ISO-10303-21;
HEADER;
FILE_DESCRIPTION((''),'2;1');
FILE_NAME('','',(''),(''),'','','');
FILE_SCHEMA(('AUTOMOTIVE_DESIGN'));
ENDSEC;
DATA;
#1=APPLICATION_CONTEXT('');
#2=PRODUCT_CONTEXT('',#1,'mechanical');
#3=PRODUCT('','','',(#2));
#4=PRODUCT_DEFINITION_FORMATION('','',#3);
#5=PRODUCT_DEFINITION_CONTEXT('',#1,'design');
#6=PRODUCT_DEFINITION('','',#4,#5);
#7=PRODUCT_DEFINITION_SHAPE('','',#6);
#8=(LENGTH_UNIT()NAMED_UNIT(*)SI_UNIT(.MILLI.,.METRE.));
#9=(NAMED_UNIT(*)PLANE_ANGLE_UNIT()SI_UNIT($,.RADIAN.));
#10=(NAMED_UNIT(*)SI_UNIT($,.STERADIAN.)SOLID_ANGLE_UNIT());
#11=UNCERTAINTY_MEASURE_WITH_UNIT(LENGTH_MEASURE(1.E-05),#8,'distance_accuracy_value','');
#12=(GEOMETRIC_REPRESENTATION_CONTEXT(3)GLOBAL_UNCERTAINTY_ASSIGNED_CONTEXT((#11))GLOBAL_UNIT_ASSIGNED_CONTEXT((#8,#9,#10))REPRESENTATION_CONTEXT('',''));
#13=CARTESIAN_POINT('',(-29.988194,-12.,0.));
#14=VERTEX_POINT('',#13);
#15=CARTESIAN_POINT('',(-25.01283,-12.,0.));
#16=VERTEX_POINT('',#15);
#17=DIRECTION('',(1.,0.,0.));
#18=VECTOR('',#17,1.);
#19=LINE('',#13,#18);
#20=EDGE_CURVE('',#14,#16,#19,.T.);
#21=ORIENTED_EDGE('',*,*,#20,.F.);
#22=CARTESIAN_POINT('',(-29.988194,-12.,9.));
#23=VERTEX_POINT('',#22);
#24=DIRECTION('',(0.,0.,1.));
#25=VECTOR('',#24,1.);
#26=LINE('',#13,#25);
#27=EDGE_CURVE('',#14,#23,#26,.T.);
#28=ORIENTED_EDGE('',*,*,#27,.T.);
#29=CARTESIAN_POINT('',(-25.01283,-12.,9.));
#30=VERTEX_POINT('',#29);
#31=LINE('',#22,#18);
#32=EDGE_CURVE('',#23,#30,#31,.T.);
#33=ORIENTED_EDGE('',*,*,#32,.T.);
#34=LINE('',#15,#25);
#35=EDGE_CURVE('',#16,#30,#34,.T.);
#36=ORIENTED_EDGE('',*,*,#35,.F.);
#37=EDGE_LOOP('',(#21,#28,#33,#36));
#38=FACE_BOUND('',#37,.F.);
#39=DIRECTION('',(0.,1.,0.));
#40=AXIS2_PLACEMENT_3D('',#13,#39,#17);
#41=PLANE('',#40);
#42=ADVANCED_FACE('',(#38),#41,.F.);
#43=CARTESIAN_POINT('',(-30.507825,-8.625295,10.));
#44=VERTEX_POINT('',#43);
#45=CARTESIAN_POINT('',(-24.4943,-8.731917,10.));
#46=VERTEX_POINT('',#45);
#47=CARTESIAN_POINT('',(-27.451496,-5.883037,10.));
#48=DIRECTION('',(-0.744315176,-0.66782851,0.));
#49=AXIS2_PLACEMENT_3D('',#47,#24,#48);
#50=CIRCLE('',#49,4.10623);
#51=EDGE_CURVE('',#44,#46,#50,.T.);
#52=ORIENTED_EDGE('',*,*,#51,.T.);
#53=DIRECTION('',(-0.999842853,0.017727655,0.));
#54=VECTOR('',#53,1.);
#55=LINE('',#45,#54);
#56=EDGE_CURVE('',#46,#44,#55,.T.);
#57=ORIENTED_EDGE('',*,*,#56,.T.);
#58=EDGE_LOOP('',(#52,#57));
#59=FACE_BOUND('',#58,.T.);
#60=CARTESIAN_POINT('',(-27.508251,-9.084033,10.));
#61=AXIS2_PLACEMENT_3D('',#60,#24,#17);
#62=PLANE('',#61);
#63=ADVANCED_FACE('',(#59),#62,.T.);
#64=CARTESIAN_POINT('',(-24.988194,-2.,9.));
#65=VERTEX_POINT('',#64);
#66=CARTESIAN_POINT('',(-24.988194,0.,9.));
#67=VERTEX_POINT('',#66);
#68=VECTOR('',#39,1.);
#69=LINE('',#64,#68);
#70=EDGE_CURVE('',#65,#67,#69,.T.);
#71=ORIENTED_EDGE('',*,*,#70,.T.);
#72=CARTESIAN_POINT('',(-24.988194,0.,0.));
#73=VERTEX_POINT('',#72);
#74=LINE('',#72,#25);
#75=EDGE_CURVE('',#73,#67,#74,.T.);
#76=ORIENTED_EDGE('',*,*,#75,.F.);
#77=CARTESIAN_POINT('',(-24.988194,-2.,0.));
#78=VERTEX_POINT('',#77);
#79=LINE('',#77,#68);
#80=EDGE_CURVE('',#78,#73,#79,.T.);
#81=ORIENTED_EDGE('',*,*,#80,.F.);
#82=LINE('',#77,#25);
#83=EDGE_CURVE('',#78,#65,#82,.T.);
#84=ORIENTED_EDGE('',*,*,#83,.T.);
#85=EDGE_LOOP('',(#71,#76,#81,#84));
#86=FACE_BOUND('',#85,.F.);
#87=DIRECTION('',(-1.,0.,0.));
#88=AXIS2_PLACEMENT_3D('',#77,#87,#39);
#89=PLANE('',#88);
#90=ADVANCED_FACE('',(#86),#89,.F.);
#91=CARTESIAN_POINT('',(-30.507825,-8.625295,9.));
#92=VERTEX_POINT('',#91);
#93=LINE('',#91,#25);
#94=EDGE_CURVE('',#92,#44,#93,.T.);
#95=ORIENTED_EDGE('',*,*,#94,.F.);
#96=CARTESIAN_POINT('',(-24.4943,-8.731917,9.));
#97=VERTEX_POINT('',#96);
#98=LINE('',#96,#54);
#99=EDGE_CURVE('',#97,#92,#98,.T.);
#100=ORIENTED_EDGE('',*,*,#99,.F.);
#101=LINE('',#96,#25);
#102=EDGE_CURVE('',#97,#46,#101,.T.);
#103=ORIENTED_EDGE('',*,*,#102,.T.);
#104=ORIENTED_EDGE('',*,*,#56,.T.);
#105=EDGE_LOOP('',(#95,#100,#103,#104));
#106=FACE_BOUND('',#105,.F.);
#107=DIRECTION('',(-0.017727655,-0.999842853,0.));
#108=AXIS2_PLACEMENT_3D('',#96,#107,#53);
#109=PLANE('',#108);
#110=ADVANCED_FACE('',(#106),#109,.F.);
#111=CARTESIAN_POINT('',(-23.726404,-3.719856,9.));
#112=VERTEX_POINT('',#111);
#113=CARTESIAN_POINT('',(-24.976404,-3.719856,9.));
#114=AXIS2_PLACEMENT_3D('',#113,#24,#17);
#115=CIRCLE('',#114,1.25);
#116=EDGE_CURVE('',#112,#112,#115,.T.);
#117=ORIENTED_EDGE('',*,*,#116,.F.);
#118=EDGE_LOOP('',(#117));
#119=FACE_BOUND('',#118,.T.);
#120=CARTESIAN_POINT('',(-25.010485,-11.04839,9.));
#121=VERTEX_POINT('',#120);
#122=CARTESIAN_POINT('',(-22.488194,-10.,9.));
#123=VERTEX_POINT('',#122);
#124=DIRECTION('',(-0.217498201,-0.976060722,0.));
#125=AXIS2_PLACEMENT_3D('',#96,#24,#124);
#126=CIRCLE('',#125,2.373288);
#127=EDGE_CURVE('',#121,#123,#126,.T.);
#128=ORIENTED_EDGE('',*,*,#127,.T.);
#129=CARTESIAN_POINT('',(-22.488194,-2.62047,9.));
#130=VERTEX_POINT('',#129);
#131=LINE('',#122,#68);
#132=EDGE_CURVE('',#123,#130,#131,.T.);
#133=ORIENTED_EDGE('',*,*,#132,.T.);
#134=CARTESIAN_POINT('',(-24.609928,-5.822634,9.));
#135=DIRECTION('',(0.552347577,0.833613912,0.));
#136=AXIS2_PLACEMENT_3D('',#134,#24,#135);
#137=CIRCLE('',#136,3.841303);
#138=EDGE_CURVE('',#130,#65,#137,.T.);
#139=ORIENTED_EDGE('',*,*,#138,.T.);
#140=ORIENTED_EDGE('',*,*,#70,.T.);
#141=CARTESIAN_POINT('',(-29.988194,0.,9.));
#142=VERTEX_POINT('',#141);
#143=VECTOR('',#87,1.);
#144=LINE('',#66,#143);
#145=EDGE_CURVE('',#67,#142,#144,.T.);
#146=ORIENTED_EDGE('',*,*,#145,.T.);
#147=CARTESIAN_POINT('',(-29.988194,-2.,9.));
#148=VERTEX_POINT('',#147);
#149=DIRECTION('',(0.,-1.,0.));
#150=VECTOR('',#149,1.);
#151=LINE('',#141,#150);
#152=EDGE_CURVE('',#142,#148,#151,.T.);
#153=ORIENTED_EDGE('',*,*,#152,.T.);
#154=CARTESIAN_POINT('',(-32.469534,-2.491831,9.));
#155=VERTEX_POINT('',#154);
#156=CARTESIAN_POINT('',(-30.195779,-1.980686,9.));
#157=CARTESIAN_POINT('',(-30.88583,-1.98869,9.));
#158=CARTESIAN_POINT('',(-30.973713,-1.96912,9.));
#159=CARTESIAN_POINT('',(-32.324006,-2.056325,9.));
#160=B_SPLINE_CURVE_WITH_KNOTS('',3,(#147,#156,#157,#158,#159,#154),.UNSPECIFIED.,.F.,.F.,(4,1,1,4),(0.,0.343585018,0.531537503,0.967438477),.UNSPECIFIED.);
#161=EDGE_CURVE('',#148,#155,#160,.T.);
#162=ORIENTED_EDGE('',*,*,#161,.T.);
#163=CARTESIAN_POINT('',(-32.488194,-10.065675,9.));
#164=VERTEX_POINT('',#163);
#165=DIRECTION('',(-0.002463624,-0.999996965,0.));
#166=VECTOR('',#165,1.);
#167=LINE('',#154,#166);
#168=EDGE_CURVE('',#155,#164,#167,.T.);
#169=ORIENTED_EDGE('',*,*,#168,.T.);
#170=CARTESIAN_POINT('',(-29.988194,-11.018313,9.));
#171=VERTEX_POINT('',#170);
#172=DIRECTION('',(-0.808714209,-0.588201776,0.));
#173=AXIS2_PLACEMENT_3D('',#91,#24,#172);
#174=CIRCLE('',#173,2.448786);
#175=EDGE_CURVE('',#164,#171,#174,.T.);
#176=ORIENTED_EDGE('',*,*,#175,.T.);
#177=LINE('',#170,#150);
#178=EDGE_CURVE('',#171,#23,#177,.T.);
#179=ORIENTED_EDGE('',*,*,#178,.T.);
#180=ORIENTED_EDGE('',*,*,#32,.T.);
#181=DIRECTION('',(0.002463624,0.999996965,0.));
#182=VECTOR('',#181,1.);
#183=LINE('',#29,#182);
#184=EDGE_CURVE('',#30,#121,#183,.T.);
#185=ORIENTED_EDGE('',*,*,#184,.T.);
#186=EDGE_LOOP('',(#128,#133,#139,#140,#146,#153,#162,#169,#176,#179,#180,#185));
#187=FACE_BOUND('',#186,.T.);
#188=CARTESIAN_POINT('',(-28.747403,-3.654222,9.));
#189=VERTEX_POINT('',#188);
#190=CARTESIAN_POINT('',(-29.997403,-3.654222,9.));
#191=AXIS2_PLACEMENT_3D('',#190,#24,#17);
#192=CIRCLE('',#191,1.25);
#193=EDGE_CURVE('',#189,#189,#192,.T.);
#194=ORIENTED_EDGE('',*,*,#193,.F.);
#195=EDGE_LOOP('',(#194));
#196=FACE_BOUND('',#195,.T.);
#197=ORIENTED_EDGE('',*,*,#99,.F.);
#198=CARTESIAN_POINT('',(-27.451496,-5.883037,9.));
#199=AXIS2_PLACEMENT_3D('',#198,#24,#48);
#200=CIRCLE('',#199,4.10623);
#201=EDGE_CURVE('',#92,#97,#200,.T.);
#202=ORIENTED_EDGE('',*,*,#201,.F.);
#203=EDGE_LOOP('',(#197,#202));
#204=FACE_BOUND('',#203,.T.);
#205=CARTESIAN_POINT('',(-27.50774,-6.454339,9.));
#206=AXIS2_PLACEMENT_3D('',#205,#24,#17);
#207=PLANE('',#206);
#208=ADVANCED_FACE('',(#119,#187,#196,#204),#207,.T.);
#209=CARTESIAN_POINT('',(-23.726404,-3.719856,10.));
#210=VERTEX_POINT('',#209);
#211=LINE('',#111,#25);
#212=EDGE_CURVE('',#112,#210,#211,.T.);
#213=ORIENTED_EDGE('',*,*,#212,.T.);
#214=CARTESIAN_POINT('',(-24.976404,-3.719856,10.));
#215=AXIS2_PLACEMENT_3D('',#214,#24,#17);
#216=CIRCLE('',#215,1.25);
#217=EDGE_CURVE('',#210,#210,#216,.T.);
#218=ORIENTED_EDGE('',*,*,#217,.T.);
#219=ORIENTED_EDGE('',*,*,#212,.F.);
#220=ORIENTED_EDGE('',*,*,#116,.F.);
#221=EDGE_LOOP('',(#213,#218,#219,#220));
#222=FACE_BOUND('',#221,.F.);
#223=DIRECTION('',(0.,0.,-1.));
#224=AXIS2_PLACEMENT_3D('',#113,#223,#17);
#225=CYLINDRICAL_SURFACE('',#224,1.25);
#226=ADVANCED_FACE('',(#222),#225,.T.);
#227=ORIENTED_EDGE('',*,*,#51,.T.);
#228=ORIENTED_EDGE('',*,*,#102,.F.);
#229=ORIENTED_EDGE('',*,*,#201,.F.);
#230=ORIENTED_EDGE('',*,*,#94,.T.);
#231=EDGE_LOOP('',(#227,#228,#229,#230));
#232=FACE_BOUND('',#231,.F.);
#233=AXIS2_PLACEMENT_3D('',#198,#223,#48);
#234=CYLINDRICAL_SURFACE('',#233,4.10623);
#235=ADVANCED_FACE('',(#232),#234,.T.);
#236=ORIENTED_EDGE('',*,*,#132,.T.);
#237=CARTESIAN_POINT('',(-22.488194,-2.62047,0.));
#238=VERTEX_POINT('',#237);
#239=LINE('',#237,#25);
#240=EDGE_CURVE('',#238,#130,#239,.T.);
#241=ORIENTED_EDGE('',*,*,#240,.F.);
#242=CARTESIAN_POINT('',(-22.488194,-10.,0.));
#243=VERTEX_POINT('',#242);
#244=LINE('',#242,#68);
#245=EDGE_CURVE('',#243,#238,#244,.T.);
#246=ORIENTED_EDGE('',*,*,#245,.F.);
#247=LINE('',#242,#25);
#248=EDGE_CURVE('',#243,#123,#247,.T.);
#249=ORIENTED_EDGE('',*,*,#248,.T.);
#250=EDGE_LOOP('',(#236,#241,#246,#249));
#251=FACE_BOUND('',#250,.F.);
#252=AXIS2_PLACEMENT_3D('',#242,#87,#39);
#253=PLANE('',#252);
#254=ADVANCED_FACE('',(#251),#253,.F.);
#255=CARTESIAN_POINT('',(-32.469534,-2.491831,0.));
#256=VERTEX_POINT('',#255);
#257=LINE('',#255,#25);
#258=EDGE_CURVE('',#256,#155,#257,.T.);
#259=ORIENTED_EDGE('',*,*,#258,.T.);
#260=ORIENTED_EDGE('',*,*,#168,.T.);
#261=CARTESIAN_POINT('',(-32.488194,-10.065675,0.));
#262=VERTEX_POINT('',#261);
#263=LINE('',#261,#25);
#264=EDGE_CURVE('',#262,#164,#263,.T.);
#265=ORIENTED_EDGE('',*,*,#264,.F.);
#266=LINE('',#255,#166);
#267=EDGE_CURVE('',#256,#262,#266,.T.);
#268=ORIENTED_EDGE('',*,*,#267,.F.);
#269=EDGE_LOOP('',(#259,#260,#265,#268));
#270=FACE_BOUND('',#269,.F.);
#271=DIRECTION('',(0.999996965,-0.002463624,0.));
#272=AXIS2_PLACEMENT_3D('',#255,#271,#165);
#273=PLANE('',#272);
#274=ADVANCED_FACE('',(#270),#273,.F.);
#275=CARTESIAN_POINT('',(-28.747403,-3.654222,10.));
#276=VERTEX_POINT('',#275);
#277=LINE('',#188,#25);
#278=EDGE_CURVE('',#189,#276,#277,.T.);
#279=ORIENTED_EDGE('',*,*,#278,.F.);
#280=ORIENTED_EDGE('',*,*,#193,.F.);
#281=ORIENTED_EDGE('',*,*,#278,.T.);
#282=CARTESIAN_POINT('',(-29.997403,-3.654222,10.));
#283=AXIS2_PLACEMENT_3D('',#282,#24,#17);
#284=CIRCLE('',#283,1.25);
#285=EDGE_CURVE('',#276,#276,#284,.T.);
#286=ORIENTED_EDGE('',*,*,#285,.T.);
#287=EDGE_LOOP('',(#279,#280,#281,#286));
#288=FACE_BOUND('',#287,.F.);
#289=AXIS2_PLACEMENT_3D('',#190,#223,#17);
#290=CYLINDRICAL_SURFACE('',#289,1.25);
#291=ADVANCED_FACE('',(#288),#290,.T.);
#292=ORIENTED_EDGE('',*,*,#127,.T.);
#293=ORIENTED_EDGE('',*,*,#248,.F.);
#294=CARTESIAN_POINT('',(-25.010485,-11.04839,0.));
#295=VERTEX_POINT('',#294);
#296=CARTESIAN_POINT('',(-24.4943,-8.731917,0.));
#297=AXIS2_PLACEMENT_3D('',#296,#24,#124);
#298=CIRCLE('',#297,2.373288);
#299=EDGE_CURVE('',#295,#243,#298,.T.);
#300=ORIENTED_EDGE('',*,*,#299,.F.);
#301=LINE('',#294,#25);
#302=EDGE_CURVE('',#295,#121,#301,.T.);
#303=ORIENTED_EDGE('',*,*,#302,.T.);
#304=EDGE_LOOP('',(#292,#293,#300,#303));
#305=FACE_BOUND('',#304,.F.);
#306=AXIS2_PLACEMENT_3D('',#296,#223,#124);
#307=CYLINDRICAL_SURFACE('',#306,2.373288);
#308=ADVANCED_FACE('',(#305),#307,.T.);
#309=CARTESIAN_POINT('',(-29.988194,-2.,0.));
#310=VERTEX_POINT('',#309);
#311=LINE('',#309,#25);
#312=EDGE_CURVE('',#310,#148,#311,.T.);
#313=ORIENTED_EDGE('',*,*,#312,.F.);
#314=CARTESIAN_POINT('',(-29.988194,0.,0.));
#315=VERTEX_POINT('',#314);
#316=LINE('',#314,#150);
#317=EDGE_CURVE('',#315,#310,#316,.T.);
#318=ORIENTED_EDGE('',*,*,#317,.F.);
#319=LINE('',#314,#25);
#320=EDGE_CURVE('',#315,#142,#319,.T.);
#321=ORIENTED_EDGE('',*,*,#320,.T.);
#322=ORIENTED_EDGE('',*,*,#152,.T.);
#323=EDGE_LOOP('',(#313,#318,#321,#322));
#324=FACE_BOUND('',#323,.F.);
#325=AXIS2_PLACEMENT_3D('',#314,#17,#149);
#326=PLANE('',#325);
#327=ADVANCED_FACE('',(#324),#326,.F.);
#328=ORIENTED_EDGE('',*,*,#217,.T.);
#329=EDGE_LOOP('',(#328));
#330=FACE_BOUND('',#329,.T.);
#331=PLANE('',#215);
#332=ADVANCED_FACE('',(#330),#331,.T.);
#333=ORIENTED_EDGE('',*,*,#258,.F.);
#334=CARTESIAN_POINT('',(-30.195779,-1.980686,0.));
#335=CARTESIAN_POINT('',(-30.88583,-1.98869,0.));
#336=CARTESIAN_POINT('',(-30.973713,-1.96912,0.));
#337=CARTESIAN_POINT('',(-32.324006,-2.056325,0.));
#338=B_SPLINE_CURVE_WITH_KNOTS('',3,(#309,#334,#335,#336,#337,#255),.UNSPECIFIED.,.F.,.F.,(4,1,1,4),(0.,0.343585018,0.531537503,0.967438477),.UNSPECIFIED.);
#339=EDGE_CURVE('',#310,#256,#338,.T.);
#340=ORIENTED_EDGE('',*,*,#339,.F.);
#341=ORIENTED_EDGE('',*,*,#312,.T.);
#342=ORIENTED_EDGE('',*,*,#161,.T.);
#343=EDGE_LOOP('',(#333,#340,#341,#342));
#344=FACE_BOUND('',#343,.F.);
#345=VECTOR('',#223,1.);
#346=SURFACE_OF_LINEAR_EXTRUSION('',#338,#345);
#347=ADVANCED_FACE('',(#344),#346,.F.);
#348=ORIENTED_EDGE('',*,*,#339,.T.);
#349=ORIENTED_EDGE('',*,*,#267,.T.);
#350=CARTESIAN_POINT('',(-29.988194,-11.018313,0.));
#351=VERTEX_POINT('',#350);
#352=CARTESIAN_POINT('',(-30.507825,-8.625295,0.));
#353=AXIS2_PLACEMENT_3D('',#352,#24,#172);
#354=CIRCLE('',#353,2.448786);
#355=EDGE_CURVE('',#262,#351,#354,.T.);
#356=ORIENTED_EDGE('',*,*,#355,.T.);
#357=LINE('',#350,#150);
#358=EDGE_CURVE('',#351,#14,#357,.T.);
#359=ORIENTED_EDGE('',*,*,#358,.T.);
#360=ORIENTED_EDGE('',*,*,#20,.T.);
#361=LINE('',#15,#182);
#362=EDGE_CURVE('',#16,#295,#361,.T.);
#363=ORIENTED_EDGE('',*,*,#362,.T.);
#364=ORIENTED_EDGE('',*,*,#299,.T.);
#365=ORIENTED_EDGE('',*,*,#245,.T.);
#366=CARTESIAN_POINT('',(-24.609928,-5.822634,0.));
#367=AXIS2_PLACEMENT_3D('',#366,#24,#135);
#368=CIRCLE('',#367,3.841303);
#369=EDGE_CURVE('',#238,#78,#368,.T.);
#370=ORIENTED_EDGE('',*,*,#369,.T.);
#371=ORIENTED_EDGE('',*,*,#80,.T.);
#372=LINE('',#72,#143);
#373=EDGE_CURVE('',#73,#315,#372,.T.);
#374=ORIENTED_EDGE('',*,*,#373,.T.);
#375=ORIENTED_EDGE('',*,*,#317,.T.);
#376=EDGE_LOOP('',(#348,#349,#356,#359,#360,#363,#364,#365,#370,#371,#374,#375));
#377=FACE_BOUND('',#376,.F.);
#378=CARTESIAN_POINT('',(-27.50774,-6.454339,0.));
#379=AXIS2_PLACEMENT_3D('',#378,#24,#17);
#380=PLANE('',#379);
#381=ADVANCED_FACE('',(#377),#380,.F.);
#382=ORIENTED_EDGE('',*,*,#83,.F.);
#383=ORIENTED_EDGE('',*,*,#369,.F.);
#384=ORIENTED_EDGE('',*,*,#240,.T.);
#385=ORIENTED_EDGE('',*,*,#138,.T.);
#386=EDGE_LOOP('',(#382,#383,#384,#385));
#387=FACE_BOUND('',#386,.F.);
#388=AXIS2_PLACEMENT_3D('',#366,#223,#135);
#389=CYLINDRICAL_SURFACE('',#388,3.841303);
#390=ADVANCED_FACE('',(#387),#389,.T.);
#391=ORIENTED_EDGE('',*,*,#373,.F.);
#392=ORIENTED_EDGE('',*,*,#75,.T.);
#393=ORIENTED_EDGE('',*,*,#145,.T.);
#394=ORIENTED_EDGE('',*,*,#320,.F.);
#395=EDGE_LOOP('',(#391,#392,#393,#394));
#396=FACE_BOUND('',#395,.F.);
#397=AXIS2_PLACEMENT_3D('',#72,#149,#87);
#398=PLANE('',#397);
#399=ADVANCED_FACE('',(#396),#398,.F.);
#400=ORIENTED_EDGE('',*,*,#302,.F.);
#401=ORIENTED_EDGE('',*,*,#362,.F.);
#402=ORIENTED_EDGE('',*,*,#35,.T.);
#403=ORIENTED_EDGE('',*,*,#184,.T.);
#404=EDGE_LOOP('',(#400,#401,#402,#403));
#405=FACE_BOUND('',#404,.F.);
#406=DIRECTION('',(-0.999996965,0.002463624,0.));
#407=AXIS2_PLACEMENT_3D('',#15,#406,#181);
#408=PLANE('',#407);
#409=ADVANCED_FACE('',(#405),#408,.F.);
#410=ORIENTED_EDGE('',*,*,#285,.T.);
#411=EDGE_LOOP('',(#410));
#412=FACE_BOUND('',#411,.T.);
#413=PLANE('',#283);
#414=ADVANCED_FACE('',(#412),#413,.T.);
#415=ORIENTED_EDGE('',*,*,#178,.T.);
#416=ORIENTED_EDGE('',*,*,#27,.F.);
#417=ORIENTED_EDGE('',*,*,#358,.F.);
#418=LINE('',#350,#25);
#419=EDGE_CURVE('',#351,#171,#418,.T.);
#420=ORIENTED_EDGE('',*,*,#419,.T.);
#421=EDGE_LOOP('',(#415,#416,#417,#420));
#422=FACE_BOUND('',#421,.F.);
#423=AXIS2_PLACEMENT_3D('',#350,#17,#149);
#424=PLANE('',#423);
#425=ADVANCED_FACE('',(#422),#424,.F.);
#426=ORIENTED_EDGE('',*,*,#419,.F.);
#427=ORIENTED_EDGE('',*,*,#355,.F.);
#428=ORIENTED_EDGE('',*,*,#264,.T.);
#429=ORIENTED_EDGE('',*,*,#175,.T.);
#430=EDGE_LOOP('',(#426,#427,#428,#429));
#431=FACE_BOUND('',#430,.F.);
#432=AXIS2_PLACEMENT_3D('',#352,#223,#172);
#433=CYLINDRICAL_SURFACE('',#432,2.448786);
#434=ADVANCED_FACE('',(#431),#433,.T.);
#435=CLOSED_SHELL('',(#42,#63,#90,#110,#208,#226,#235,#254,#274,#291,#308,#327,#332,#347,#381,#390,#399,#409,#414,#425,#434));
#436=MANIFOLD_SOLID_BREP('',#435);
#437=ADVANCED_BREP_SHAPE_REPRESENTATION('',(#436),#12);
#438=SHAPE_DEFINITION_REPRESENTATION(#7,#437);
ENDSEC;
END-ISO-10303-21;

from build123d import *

# Parameters (mm, degrees)
F1_DEPTH = 9
F2_R     = 1.25
F3_DEPTH = 1
F4_R     = 0.625
F5_R     = 0.625
F6_DEPTH = 1


with BuildPart() as f1:
    # F0 (on Top) → F1 (new body)
    with BuildSketch(Plane.XY):
        with BuildLine():
            Line((-24.9881935865, -2), (-29.9881935865, -2))
            add(Edge.make_bspline(
                [(-29.9881935865, -2), (-30.1957792579, -1.9806863621), (-30.8858297438, -1.9886899929), (-30.9737131442, -1.9691203625), (-32.3240056363, -2.0563246792), (-32.4695344233, -2.4918309621)],
                knots=[0, 0, 0, 0, 0.3435850183, 0.5315375028, 0.9674384772, 0.9674384772, 0.9674384772, 0.9674384772], degree=3))
            Line((-32.4695344233, -2.4918309621), (-32.4881935865, -10.0656754612))
            ThreePointArc((-32.4881935865, -10.0656754612), (-31.3797872361, -10.9135774988), (-29.9881935865, -11.0183134402))
            Line((-29.9881935865, -11.0183134402), (-25.0104854877, -11.0483904604))
            ThreePointArc((-25.0104854877, -11.0483904604), (-23.5833955913, -10.9234349089), (-22.4881935865, -10))
            Line((-22.4881935865, -10), (-22.4881935865, -2.6204695865))
            ThreePointArc((-22.4881935865, -2.6204695865), (-23.6846353493, -2.0944376038), (-24.9881935865, -2))
        make_face()
        Polygon((-27.4881935865, 0), (-29.9881935865, 0), (-29.9881935865, -2), (-24.9881935865, -2), (-24.9881935865, 0), align=None)
        Polygon((-25.0104854877, -11.0483904604), (-29.9881935865, -11.0183134402), (-29.9881935865, -12), (-27.4881935865, -12), (-25.0128299031, -12), align=None)
    extrude(amount=F1_DEPTH)

    # F2 (on face) → F3 (join)
    with BuildSketch(Plane.XY.offset(9)):
        with Locations((-29.9974028021, -3.6542222369)):
            Circle(F2_R)
        with Locations((-24.9764043838, -3.7198562641)):
            Circle(F2_R)
        with BuildLine():
            Line((-24.4942996651, -8.7319174781), (-30.507825315, -8.6252950132))
            ThreePointArc((-30.507825315, -8.6252950132), (-27.5242896541, -9.9886223537), (-24.4942996651, -8.7319174781))
        make_face()
    extrude(amount=F3_DEPTH)

    # F4 (on face) + F5 (on face) → F6 (cut)
    with BuildSketch(Plane.XY.offset(10)):
        with Locations((-29.9974028021, -3.6542222369)):
            Circle(F4_R)
    with BuildSketch(Plane.XY.offset(10)):
        with Locations((-24.9764043838, -3.7198562641)):
            Circle(F5_R)
    extrude(amount=F6_DEPTH, mode=Mode.SUBTRACT)


solid = f1.part
